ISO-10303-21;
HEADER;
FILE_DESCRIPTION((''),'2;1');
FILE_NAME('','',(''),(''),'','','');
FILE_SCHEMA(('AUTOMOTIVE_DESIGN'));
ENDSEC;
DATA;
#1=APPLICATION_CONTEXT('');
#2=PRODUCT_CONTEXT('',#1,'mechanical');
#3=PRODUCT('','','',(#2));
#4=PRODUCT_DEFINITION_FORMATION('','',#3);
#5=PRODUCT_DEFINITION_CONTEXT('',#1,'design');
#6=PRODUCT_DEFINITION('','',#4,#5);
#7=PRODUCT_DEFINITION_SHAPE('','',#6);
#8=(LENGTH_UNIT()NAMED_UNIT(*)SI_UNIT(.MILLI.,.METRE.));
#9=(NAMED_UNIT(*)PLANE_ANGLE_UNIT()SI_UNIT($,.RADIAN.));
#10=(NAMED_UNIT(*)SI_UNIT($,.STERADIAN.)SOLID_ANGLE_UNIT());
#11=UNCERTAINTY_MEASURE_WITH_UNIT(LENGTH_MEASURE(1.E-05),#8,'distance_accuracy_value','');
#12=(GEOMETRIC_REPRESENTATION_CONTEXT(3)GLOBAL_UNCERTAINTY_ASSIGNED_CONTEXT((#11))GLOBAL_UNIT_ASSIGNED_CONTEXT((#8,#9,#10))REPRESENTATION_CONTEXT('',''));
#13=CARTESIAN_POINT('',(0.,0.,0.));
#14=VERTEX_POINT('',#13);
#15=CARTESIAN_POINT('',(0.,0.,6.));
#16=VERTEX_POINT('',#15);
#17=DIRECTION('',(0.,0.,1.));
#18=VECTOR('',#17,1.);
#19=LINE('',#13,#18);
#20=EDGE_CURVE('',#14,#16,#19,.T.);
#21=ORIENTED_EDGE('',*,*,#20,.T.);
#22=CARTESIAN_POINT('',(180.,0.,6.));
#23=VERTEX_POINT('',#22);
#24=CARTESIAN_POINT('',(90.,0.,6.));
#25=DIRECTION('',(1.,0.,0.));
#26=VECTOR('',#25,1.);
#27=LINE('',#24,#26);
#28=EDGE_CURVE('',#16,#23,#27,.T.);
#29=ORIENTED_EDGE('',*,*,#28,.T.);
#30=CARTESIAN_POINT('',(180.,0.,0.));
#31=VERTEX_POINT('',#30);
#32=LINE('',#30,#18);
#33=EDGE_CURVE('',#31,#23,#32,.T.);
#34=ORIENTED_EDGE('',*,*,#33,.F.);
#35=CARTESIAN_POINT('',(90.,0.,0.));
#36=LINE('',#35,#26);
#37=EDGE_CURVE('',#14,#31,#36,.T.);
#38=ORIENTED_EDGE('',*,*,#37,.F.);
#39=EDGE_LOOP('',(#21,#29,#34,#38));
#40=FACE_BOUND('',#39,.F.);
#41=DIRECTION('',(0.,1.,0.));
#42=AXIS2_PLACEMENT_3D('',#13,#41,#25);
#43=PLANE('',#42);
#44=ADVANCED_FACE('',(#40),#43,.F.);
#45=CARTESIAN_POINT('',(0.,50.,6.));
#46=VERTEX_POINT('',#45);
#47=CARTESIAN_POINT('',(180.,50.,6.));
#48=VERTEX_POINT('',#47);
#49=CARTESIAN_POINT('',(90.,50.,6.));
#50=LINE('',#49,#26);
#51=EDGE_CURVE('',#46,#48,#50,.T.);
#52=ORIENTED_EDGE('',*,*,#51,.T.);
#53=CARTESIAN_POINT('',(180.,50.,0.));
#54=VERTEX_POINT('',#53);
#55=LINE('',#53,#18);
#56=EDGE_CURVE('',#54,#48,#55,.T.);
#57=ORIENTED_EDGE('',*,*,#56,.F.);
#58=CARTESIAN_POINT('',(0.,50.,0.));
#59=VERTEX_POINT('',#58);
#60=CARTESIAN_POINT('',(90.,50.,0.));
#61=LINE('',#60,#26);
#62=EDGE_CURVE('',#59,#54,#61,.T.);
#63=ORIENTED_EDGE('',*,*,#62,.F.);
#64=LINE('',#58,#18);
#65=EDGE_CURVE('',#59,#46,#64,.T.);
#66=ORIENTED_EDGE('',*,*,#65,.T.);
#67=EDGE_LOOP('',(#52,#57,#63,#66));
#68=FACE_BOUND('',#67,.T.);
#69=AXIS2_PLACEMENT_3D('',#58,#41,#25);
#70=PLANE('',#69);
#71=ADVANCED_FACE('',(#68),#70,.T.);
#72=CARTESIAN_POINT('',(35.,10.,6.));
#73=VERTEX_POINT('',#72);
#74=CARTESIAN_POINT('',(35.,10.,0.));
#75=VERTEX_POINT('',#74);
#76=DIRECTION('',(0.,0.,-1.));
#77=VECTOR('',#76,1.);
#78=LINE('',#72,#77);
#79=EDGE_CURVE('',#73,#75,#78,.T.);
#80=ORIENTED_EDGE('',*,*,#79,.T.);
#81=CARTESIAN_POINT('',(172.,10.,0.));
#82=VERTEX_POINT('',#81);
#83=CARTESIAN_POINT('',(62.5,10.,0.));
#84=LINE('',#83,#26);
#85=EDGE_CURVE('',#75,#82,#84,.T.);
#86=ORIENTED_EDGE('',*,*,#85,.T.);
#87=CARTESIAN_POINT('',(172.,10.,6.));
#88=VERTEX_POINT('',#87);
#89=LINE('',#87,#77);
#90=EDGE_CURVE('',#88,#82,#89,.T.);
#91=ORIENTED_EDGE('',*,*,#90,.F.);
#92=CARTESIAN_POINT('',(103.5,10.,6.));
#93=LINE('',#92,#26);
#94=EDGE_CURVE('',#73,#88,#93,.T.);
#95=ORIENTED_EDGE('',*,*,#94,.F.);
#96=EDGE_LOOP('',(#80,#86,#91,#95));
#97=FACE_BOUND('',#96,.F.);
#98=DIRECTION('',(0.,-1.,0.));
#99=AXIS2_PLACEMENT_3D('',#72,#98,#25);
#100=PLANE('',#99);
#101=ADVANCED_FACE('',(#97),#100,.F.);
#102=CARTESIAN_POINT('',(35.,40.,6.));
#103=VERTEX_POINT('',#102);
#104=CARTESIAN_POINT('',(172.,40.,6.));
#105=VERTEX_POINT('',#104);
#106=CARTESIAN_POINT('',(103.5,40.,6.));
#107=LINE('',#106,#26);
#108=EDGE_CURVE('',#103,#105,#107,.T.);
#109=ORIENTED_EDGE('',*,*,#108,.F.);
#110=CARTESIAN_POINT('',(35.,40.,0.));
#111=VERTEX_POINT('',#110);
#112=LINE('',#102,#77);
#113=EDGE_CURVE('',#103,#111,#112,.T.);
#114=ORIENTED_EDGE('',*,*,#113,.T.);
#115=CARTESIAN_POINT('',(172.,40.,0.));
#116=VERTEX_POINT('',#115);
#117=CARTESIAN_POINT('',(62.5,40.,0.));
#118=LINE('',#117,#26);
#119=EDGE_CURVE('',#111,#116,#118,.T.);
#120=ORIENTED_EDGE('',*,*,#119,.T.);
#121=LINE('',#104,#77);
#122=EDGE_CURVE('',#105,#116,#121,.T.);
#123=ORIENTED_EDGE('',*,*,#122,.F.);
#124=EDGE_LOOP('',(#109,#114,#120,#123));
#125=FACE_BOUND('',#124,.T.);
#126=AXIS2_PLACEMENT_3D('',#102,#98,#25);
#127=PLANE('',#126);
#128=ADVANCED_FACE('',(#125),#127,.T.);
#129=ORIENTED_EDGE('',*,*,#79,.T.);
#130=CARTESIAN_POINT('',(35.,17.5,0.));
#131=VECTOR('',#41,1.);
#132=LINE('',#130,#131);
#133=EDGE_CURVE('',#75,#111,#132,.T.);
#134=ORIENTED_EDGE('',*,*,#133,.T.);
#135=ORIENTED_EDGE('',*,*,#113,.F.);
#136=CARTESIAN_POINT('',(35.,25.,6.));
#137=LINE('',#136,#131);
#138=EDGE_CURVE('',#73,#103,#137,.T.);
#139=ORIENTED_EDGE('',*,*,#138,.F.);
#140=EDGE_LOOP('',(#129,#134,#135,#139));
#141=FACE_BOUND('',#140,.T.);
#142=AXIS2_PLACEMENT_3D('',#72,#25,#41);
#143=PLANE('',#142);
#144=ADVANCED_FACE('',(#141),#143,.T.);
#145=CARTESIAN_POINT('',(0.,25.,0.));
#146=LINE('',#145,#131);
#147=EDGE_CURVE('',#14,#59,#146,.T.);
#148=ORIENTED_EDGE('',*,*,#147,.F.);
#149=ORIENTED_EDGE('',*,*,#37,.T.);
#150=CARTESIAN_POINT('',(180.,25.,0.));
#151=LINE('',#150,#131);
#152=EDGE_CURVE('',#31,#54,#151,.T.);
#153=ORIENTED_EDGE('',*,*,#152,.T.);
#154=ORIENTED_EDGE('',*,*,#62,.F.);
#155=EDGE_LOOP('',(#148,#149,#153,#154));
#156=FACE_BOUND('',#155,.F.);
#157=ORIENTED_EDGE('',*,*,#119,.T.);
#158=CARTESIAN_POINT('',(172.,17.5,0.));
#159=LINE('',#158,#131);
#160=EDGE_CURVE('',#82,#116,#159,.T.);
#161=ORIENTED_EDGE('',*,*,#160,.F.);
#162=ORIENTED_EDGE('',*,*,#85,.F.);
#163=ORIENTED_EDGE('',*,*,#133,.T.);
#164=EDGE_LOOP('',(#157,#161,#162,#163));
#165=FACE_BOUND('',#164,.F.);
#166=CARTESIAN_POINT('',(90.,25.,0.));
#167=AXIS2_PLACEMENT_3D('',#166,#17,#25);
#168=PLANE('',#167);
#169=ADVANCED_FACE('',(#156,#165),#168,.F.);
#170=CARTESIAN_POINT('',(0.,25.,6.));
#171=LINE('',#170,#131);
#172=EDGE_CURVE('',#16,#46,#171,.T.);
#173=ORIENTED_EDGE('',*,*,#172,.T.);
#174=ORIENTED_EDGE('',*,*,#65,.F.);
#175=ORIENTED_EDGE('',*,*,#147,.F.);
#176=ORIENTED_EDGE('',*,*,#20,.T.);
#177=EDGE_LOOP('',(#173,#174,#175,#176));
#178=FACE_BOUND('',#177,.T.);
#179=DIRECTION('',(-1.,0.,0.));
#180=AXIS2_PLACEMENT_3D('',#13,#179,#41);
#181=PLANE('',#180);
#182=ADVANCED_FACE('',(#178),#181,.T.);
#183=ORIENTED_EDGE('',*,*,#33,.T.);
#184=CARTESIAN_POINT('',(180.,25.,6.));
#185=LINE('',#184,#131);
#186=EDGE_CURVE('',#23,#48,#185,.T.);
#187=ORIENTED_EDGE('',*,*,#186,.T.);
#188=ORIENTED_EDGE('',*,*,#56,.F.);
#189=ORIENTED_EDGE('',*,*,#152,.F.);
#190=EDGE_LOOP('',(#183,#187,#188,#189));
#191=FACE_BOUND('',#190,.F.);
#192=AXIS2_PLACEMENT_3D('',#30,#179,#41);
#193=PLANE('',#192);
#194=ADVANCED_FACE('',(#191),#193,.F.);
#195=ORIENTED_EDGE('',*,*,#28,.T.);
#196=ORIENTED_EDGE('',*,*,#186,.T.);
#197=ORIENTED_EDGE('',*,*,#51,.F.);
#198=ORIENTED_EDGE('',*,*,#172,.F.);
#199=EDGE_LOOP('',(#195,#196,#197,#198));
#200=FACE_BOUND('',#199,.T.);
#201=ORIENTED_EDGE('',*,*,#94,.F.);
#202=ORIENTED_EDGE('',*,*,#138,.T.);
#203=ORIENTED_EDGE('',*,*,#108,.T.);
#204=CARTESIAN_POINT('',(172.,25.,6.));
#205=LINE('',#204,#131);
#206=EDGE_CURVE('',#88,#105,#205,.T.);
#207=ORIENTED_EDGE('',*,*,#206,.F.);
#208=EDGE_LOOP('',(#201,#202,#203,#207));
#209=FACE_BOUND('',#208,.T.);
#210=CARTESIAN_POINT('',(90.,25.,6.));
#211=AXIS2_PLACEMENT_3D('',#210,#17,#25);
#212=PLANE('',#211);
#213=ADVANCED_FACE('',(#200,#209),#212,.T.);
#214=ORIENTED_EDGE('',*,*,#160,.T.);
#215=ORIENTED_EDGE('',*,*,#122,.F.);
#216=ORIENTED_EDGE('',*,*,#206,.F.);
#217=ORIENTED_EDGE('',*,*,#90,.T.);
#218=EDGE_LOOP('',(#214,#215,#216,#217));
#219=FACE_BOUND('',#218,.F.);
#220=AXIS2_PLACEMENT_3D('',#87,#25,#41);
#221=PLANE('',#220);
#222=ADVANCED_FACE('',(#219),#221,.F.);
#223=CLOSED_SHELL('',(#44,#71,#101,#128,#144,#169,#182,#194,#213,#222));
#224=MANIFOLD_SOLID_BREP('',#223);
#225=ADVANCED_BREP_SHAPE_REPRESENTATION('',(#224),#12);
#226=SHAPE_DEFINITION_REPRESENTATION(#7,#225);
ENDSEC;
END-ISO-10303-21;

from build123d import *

# Parameters (mm, degrees)
SKETCH_W     = 180
SKETCH_H     = 50
PAD_DEPTH    = 6
SKETCH001_W  = 137
SKETCH001_H  = 30
POCKET_DEPTH = 10


with BuildPart() as part:
    # Sketch → Pad (new body)
    with BuildSketch(Plane.XY):
        with Locations((90, 25)):
            Rectangle(SKETCH_W, SKETCH_H)
    extrude(amount=PAD_DEPTH)

    # Sketch001 (on Face6 of Pad) → Pocket (cut)
    with BuildSketch(Plane.XY.offset(6)):
        with Locations((103.5, 25)):
            Rectangle(SKETCH001_W, SKETCH001_H)
    extrude(amount=-POCKET_DEPTH, mode=Mode.SUBTRACT)


solid = part.part
